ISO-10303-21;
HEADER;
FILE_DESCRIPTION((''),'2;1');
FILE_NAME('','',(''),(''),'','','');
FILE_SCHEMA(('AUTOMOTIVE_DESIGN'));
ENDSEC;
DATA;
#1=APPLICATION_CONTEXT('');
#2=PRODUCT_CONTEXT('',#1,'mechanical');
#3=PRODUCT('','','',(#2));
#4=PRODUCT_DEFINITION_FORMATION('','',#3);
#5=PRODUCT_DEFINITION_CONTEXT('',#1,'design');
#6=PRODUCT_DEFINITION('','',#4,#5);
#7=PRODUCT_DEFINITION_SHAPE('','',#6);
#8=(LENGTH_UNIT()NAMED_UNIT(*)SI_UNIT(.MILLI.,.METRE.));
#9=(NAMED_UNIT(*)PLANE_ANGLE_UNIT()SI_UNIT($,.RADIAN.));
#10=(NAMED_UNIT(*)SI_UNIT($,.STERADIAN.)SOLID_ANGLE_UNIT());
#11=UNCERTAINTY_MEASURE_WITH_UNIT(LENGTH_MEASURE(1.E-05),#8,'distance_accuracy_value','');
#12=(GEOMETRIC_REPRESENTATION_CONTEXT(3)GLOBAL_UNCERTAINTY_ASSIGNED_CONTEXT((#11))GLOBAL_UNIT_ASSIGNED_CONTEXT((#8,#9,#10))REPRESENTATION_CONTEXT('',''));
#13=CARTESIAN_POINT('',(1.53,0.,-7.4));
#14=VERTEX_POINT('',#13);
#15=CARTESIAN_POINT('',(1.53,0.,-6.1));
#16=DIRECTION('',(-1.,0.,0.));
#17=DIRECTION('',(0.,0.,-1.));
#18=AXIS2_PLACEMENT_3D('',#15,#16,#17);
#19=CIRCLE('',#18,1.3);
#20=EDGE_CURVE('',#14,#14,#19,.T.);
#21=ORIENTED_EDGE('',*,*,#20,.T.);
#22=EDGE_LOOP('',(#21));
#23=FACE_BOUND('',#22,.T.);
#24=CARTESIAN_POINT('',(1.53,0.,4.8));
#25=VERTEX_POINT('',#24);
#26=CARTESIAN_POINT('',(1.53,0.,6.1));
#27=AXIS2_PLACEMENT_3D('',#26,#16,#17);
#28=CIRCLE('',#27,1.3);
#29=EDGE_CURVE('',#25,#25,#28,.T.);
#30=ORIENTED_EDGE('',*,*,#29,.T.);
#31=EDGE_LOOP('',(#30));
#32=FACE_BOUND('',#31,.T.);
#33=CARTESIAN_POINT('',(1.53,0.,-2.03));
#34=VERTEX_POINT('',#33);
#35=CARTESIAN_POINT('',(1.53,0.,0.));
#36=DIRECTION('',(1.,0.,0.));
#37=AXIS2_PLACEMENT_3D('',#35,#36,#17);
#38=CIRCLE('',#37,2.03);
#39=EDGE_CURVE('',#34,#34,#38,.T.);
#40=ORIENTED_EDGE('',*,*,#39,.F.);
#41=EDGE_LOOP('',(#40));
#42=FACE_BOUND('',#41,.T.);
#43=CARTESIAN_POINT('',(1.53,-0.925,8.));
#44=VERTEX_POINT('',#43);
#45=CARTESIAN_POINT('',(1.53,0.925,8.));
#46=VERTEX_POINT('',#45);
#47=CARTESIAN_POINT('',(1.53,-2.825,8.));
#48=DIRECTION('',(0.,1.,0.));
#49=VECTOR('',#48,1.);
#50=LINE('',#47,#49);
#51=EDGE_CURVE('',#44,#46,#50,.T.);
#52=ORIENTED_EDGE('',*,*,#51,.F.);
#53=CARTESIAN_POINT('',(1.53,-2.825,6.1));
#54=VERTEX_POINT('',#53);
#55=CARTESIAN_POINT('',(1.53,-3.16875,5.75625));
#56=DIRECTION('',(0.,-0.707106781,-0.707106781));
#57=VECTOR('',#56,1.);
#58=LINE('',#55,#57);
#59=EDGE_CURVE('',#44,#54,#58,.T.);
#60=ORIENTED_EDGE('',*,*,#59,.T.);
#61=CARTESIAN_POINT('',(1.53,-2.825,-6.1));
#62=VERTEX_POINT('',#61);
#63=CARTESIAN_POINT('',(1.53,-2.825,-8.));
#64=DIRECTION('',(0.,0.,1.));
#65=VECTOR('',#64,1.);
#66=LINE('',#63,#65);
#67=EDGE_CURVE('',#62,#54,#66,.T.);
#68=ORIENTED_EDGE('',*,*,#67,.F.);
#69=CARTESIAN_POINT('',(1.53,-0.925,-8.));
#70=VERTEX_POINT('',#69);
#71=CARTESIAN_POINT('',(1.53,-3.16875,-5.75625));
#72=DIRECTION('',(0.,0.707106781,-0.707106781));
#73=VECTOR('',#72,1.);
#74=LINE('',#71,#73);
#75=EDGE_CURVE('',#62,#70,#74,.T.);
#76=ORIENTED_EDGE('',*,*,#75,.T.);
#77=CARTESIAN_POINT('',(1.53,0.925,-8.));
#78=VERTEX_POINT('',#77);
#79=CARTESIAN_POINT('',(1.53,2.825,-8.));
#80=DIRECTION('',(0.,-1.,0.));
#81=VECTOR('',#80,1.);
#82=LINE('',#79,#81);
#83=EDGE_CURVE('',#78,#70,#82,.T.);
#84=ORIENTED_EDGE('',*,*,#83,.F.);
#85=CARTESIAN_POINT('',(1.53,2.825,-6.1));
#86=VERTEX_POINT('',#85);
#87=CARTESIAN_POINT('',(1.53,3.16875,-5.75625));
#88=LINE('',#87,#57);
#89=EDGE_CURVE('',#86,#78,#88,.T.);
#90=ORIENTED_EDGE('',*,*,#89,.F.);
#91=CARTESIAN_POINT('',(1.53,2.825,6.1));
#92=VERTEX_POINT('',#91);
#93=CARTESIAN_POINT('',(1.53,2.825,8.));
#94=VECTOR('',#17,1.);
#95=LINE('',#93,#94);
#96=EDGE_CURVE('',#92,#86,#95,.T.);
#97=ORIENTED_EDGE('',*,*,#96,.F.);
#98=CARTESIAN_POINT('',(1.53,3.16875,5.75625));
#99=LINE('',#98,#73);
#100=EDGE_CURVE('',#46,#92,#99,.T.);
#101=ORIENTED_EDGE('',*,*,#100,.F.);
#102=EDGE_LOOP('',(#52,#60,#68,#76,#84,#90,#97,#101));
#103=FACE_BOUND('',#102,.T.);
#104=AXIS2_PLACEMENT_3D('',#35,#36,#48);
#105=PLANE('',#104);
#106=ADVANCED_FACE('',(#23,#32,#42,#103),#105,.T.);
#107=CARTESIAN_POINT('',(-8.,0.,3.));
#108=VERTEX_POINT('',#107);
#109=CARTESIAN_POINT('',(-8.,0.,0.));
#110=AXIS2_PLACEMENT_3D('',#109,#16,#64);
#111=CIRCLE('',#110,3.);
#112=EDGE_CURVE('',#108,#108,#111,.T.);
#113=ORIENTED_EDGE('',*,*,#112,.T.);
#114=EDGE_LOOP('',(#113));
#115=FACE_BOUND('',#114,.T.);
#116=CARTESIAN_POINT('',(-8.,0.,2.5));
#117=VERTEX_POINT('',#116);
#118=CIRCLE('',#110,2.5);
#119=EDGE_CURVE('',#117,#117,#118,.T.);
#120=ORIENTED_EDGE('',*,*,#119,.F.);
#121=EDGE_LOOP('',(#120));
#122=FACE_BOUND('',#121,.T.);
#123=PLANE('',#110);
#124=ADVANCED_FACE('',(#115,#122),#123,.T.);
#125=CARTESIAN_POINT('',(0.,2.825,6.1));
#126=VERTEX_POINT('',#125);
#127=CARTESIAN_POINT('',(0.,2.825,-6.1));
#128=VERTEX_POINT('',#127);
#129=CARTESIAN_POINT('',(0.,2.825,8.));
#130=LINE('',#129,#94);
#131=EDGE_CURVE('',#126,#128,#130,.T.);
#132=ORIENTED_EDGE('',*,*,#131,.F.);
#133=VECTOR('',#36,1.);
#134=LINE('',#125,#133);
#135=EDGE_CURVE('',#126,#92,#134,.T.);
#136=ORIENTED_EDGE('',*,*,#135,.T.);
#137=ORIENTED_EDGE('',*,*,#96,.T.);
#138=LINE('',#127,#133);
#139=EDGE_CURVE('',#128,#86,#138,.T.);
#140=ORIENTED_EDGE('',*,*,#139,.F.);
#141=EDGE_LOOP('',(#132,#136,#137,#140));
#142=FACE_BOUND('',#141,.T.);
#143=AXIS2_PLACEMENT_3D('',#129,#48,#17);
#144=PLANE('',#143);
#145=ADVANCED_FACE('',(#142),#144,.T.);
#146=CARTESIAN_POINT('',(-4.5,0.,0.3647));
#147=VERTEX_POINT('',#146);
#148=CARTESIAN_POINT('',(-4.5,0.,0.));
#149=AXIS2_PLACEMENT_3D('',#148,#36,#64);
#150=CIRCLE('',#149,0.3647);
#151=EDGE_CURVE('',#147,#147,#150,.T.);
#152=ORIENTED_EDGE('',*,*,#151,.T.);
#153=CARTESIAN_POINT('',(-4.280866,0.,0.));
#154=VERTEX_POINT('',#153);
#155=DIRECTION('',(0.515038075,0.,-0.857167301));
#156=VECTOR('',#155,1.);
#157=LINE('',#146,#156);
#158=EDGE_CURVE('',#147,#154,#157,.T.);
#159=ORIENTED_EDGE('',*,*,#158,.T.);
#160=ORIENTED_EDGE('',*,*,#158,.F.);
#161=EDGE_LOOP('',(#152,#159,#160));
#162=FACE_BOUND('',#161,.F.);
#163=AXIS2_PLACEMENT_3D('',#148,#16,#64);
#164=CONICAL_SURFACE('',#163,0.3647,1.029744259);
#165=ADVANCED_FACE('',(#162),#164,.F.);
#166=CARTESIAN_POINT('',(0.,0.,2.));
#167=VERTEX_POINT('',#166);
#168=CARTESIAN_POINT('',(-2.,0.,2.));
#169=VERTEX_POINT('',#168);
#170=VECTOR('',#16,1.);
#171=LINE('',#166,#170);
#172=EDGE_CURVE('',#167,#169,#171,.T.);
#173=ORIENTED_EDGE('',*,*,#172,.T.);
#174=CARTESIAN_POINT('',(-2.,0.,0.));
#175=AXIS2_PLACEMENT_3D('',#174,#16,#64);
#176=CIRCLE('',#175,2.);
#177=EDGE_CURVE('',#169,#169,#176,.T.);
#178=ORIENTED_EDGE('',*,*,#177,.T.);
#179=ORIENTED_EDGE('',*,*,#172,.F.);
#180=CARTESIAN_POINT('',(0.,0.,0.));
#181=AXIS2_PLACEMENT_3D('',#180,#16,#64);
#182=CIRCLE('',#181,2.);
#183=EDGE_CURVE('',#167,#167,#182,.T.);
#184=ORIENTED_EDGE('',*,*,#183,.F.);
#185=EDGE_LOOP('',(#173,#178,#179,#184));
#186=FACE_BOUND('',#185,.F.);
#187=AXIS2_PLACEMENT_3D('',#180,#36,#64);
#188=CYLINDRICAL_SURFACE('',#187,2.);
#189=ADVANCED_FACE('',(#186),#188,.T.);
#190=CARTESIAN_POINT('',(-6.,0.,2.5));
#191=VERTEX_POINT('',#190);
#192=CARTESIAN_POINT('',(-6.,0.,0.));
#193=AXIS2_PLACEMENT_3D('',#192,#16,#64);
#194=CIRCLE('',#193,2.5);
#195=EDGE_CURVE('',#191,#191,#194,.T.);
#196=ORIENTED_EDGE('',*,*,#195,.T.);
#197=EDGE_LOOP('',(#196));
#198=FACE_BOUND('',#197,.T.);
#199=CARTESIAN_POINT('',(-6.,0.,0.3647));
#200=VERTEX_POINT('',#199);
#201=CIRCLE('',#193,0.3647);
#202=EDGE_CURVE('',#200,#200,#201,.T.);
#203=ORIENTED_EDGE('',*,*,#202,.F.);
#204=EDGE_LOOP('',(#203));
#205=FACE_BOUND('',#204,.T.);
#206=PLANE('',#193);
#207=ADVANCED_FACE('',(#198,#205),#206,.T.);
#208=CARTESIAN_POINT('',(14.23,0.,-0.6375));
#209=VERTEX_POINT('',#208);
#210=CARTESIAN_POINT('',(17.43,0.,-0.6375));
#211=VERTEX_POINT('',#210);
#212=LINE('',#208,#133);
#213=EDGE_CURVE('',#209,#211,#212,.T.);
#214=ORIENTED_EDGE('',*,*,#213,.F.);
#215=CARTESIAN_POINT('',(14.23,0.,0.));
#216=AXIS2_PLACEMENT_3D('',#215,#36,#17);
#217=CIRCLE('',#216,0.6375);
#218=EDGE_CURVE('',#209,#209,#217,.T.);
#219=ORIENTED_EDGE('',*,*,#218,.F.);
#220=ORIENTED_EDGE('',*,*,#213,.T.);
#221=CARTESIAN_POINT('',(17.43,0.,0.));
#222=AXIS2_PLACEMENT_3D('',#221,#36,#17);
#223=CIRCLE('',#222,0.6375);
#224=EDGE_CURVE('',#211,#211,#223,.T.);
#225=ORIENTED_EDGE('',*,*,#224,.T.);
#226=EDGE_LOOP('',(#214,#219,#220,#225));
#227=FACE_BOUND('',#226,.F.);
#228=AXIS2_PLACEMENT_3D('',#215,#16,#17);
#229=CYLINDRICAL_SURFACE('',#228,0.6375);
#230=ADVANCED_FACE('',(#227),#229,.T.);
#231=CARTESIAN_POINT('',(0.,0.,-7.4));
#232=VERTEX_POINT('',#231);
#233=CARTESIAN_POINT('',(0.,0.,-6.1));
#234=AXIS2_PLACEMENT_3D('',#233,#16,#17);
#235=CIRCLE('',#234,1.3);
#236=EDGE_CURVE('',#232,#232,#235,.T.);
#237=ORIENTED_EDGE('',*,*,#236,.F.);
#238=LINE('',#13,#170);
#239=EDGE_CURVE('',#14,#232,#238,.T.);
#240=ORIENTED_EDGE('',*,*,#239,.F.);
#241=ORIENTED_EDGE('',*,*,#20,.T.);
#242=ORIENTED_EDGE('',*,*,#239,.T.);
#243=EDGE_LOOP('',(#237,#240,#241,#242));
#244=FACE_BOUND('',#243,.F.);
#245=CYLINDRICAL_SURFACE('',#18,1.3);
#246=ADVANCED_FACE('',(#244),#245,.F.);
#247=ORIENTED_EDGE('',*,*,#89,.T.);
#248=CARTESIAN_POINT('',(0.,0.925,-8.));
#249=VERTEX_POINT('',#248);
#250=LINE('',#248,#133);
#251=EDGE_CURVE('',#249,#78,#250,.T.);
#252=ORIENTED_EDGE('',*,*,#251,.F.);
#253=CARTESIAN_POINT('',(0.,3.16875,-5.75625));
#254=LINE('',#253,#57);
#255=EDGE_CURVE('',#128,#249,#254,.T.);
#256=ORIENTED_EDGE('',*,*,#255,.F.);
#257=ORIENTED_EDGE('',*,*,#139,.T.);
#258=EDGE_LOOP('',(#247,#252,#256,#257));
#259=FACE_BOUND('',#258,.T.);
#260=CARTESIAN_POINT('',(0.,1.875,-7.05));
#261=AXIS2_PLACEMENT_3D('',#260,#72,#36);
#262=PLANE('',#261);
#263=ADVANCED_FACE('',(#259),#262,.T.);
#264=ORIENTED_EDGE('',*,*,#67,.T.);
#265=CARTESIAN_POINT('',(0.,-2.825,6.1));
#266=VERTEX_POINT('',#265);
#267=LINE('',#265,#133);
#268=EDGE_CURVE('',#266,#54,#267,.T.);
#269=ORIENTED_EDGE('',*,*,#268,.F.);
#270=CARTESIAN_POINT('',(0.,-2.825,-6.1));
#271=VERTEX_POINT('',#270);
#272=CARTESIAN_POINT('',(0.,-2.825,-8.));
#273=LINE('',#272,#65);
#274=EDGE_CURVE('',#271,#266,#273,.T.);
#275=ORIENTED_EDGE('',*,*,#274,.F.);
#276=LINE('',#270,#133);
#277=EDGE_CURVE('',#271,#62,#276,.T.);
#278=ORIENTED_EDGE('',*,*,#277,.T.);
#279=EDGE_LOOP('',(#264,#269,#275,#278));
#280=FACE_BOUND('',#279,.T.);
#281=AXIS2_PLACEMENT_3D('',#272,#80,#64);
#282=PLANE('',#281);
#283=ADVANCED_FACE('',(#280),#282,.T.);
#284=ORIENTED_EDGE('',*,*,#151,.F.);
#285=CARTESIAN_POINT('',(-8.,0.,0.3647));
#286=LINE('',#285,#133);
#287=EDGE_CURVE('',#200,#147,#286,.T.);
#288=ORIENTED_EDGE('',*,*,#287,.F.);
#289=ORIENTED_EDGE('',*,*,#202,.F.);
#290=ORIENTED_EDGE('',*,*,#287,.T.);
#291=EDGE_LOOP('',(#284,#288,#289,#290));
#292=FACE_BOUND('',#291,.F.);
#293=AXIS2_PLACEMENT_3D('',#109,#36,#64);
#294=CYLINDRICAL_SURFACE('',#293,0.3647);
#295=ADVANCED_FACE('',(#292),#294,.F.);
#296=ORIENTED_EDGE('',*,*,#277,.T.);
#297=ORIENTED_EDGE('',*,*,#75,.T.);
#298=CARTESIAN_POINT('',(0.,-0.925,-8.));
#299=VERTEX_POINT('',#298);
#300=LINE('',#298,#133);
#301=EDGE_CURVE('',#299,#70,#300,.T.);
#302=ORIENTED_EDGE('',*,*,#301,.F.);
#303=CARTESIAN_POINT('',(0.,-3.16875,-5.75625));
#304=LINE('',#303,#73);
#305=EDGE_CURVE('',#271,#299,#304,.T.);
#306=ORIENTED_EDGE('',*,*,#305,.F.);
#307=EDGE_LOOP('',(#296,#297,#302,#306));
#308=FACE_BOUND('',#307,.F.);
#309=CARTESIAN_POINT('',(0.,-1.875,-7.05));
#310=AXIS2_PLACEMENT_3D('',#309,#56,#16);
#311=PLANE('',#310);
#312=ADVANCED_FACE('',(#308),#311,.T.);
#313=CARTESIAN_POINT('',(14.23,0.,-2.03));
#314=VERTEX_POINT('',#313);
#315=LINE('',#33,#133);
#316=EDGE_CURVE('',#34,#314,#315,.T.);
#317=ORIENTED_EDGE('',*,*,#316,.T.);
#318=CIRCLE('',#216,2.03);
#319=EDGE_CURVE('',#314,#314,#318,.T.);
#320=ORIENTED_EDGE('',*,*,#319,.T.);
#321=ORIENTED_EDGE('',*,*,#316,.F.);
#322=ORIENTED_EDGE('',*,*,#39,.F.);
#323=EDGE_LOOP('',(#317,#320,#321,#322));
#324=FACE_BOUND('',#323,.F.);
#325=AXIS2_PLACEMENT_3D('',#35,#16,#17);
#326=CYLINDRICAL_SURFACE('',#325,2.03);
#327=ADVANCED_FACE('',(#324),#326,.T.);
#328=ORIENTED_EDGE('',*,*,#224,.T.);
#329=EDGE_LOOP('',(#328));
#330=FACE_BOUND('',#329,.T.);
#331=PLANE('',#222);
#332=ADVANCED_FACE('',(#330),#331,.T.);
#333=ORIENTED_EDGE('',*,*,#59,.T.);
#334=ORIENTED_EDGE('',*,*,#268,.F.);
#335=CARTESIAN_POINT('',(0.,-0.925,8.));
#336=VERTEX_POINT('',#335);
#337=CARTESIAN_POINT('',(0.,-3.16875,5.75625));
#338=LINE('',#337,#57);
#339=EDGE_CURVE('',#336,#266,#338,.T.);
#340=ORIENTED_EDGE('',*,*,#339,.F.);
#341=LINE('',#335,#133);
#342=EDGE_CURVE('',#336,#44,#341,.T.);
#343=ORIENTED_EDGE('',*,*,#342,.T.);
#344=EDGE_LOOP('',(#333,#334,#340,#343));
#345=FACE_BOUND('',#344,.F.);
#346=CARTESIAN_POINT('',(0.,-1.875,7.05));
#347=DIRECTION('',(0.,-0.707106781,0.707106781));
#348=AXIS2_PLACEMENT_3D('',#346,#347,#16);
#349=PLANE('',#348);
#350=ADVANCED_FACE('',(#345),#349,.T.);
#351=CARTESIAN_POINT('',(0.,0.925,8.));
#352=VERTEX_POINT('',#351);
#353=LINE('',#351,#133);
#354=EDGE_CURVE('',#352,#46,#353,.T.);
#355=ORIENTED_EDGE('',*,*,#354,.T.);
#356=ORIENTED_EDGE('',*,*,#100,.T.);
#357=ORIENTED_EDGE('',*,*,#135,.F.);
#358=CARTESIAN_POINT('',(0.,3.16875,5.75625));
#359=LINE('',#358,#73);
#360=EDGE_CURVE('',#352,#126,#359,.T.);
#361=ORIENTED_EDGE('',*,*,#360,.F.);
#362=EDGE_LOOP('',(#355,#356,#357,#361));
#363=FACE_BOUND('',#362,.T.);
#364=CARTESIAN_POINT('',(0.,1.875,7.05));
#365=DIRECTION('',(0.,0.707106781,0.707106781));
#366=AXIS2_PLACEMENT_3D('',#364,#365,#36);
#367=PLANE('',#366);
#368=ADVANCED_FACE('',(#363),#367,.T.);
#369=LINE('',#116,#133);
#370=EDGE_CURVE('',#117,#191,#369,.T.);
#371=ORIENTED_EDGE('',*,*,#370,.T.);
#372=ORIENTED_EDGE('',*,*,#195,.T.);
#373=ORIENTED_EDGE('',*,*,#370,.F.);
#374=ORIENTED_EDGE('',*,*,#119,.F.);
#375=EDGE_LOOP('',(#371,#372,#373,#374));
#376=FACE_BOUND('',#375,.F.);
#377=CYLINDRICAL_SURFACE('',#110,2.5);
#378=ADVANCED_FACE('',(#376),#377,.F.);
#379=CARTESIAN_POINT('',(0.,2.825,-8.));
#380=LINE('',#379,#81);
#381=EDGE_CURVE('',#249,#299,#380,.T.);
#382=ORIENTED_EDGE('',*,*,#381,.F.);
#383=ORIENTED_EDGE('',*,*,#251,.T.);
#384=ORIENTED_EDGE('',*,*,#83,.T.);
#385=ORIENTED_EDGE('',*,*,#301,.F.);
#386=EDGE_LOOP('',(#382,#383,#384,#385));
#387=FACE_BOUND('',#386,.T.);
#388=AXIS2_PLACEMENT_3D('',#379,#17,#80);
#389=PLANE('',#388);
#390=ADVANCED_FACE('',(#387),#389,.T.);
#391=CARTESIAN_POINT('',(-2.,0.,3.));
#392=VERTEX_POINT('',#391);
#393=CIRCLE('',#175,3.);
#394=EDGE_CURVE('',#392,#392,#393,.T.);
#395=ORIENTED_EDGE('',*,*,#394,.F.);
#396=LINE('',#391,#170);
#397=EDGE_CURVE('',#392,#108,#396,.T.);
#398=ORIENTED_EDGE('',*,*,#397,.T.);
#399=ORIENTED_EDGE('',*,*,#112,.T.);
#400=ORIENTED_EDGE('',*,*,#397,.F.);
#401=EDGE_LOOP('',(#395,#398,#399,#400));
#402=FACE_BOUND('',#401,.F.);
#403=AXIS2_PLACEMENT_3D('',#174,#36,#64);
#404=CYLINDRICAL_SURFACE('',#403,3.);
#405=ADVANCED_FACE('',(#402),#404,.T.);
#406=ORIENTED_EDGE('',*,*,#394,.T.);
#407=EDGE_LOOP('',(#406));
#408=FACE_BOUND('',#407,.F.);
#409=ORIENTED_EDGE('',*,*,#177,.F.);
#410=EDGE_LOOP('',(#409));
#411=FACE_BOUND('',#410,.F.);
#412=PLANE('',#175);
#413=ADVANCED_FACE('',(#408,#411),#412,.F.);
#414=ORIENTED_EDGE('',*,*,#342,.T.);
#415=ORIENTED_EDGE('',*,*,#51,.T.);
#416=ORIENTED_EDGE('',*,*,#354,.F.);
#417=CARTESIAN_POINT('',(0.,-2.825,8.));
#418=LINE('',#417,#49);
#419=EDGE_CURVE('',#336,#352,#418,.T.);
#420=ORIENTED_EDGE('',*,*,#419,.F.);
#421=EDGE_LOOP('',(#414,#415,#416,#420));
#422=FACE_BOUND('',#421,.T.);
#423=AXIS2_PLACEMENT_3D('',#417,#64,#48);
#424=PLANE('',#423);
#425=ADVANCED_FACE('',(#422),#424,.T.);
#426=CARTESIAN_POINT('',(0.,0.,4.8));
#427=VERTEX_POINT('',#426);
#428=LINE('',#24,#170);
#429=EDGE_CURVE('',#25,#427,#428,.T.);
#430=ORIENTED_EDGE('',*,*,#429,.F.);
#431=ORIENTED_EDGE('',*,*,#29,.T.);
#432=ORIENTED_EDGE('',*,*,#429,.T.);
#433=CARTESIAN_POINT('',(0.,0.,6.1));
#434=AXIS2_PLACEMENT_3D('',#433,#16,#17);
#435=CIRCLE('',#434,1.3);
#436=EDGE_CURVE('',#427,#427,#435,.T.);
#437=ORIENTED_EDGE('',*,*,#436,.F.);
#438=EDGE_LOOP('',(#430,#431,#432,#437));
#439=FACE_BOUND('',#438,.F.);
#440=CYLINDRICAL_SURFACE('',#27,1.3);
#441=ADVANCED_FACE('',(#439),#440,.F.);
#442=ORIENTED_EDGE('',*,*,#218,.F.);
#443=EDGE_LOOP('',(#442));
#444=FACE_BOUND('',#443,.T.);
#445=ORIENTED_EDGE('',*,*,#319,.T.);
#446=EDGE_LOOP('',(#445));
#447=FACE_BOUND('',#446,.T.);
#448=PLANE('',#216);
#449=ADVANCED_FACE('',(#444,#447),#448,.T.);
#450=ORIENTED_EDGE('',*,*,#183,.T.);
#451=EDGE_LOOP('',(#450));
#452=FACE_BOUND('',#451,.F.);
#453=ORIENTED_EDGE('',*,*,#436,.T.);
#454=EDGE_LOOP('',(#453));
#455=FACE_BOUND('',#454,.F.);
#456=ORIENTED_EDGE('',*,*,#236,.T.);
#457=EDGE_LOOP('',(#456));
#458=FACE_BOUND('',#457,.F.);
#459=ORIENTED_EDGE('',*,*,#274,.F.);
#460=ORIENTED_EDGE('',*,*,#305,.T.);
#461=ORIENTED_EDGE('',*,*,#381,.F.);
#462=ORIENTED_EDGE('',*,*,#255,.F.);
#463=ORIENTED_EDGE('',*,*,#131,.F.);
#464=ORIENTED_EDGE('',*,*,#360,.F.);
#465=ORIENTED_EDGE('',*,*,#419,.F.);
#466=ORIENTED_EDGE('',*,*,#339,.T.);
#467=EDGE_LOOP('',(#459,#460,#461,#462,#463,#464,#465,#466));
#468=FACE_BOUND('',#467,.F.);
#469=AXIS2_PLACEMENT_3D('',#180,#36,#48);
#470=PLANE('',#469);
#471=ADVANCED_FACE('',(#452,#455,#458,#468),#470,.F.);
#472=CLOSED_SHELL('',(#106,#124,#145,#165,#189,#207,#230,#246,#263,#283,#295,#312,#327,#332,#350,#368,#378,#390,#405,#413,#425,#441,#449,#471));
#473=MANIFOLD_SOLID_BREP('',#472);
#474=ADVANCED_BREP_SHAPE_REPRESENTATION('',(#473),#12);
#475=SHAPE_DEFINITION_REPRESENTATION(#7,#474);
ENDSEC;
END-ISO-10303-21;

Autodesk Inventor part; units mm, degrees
ref_plane "YZ Plane" through (0, 0, 0) normal (1, 0, 0) x (0, 1, 0)
ref_plane "XZ Plane" through (0, 0, 0) normal (0, 1, 0) x (-1, 0, 0)
ref_plane "XY Plane" through (0, 0, 0) normal (0, 0, 1) x (1, 0, 0)
sketch "Sketch1" plane through (0, 0, 0) normal (1, 0, 0) x (0, 1, 0)
  line L0 (-2.825, 8) -> (2.825, 8)
  line L1 (2.825, 8) -> (2.825, -8)
  line L2 (2.825, -8) -> (-2.825, -8)
  line L3 (-2.825, -8) -> (-2.825, 8)
  line L4 (-2.825, 8) -> (2.825, -8) construction
  line L5 (2.825, 8) -> (-2.825, -8) construction
  point P0 (0, 0)
  dimension "d0" = 5.65
  dimension "d1" = 16
extrude "Extrusion1" add sketch "Sketch1" along normal blind 1.53
sketch "Sketch2" plane through (1.53, 0, 0) normal (1, 0, 0) x (0, 0, -1)
  line L0 (8, 2.825) -> (-8, 2.825) projected
  line L1 (-6.1, -2.825) -> (6.1, -2.825)
  line L2 (6.1, -2.825) -> (6.1, 2.825) construction
  line L3 (6.1, 2.825) -> (-6.1, 2.825)
  line L4 (-6.1, 2.825) -> (-6.1, -2.825) construction
  line L5 (-6.1, -2.825) -> (6.1, 2.825) construction
  line L6 (6.1, -2.825) -> (-6.1, 2.825) construction
  point P0 (0, 0)
  point P1 (6.1, 0)
  point P2 (-6.1, 0)
  dimension "d4" = 12.2
hole "Hole1" at (1.53, 0, -6.1) at (1.53, 0, 6.1) direction (-1, 0, 0) diameter 2.6 end through all
chamfer "Chamfer1" distance 1.9 angle 45 4 edges at (0.765, 2.825, 8) (0.765, 2.825, -8) (0.765, -2.825, 8) (0.765, -2.825, -8)
sketch "Sketch3" plane through (1.53, 0, 0) normal (1, 0, 0) x (0, 0, -1)
  circle A0 centre (0, 0) radius 2.03
  dimension "d15" = 4.06
extrude "Extrusion2" add sketch "Sketch3" along normal blind 12.7
sketch "Sketch4" plane through (14.23, 0, 0) normal (1, 0, 0) x (0, 0, -1)
  circle A0 centre (0, 0) radius 0.6375
  dimension "d18" = 1.275
extrude "Extrusion3" add sketch "Sketch4" along normal blind 3.2
sketch "Sketch5" plane through (0, 0, 0) normal (-1, 0, 0) x (0, 0, 1)
  circle A0 centre (0, 0) radius 2
  dimension "d21" = 4
extrude "Extrusion4" add sketch "Sketch5" along normal blind 2
sketch "Sketch6" plane through (-2, 0, 0) normal (-1, 0, 0) x (0, 0, 1)
  circle A0 centre (0, 0) radius 3
  dimension "d24" = 6
extrude "Extrusion5" add sketch "Sketch6" along normal blind 6
thread "Thread1" size "M6x1" class "6g" standard "ANSI Metric M Profile" full length
sketch "Sketch7" plane through (-8, 0, 0) normal (-1, 0, 0) x (0, 0, 1)
  circle A0 centre (0, 0) radius 0.6375 projected
hole "Hole2" at (-8, 0, 0) direction (1, 0, 0) diameter 0.7294 depth 3.5 tip angle 118 thread size "M1x0.25" class "6H" standard "ANSI Metric M Profile"
sketch "Sketch8" plane through (-8, 0, 0) normal (-1, 0, 0) x (0, 0, 1)
  circle A0 centre (0, 0) radius 0.3647 projected
  circle A1 centre (0, 0) radius 2.5
  dimension "d36" = 5
extrude "Extrusion6" cut sketch "Sketch8" against normal blind 2
properties part number "SMAPanel1" material "Brass, Soft Yellow"
